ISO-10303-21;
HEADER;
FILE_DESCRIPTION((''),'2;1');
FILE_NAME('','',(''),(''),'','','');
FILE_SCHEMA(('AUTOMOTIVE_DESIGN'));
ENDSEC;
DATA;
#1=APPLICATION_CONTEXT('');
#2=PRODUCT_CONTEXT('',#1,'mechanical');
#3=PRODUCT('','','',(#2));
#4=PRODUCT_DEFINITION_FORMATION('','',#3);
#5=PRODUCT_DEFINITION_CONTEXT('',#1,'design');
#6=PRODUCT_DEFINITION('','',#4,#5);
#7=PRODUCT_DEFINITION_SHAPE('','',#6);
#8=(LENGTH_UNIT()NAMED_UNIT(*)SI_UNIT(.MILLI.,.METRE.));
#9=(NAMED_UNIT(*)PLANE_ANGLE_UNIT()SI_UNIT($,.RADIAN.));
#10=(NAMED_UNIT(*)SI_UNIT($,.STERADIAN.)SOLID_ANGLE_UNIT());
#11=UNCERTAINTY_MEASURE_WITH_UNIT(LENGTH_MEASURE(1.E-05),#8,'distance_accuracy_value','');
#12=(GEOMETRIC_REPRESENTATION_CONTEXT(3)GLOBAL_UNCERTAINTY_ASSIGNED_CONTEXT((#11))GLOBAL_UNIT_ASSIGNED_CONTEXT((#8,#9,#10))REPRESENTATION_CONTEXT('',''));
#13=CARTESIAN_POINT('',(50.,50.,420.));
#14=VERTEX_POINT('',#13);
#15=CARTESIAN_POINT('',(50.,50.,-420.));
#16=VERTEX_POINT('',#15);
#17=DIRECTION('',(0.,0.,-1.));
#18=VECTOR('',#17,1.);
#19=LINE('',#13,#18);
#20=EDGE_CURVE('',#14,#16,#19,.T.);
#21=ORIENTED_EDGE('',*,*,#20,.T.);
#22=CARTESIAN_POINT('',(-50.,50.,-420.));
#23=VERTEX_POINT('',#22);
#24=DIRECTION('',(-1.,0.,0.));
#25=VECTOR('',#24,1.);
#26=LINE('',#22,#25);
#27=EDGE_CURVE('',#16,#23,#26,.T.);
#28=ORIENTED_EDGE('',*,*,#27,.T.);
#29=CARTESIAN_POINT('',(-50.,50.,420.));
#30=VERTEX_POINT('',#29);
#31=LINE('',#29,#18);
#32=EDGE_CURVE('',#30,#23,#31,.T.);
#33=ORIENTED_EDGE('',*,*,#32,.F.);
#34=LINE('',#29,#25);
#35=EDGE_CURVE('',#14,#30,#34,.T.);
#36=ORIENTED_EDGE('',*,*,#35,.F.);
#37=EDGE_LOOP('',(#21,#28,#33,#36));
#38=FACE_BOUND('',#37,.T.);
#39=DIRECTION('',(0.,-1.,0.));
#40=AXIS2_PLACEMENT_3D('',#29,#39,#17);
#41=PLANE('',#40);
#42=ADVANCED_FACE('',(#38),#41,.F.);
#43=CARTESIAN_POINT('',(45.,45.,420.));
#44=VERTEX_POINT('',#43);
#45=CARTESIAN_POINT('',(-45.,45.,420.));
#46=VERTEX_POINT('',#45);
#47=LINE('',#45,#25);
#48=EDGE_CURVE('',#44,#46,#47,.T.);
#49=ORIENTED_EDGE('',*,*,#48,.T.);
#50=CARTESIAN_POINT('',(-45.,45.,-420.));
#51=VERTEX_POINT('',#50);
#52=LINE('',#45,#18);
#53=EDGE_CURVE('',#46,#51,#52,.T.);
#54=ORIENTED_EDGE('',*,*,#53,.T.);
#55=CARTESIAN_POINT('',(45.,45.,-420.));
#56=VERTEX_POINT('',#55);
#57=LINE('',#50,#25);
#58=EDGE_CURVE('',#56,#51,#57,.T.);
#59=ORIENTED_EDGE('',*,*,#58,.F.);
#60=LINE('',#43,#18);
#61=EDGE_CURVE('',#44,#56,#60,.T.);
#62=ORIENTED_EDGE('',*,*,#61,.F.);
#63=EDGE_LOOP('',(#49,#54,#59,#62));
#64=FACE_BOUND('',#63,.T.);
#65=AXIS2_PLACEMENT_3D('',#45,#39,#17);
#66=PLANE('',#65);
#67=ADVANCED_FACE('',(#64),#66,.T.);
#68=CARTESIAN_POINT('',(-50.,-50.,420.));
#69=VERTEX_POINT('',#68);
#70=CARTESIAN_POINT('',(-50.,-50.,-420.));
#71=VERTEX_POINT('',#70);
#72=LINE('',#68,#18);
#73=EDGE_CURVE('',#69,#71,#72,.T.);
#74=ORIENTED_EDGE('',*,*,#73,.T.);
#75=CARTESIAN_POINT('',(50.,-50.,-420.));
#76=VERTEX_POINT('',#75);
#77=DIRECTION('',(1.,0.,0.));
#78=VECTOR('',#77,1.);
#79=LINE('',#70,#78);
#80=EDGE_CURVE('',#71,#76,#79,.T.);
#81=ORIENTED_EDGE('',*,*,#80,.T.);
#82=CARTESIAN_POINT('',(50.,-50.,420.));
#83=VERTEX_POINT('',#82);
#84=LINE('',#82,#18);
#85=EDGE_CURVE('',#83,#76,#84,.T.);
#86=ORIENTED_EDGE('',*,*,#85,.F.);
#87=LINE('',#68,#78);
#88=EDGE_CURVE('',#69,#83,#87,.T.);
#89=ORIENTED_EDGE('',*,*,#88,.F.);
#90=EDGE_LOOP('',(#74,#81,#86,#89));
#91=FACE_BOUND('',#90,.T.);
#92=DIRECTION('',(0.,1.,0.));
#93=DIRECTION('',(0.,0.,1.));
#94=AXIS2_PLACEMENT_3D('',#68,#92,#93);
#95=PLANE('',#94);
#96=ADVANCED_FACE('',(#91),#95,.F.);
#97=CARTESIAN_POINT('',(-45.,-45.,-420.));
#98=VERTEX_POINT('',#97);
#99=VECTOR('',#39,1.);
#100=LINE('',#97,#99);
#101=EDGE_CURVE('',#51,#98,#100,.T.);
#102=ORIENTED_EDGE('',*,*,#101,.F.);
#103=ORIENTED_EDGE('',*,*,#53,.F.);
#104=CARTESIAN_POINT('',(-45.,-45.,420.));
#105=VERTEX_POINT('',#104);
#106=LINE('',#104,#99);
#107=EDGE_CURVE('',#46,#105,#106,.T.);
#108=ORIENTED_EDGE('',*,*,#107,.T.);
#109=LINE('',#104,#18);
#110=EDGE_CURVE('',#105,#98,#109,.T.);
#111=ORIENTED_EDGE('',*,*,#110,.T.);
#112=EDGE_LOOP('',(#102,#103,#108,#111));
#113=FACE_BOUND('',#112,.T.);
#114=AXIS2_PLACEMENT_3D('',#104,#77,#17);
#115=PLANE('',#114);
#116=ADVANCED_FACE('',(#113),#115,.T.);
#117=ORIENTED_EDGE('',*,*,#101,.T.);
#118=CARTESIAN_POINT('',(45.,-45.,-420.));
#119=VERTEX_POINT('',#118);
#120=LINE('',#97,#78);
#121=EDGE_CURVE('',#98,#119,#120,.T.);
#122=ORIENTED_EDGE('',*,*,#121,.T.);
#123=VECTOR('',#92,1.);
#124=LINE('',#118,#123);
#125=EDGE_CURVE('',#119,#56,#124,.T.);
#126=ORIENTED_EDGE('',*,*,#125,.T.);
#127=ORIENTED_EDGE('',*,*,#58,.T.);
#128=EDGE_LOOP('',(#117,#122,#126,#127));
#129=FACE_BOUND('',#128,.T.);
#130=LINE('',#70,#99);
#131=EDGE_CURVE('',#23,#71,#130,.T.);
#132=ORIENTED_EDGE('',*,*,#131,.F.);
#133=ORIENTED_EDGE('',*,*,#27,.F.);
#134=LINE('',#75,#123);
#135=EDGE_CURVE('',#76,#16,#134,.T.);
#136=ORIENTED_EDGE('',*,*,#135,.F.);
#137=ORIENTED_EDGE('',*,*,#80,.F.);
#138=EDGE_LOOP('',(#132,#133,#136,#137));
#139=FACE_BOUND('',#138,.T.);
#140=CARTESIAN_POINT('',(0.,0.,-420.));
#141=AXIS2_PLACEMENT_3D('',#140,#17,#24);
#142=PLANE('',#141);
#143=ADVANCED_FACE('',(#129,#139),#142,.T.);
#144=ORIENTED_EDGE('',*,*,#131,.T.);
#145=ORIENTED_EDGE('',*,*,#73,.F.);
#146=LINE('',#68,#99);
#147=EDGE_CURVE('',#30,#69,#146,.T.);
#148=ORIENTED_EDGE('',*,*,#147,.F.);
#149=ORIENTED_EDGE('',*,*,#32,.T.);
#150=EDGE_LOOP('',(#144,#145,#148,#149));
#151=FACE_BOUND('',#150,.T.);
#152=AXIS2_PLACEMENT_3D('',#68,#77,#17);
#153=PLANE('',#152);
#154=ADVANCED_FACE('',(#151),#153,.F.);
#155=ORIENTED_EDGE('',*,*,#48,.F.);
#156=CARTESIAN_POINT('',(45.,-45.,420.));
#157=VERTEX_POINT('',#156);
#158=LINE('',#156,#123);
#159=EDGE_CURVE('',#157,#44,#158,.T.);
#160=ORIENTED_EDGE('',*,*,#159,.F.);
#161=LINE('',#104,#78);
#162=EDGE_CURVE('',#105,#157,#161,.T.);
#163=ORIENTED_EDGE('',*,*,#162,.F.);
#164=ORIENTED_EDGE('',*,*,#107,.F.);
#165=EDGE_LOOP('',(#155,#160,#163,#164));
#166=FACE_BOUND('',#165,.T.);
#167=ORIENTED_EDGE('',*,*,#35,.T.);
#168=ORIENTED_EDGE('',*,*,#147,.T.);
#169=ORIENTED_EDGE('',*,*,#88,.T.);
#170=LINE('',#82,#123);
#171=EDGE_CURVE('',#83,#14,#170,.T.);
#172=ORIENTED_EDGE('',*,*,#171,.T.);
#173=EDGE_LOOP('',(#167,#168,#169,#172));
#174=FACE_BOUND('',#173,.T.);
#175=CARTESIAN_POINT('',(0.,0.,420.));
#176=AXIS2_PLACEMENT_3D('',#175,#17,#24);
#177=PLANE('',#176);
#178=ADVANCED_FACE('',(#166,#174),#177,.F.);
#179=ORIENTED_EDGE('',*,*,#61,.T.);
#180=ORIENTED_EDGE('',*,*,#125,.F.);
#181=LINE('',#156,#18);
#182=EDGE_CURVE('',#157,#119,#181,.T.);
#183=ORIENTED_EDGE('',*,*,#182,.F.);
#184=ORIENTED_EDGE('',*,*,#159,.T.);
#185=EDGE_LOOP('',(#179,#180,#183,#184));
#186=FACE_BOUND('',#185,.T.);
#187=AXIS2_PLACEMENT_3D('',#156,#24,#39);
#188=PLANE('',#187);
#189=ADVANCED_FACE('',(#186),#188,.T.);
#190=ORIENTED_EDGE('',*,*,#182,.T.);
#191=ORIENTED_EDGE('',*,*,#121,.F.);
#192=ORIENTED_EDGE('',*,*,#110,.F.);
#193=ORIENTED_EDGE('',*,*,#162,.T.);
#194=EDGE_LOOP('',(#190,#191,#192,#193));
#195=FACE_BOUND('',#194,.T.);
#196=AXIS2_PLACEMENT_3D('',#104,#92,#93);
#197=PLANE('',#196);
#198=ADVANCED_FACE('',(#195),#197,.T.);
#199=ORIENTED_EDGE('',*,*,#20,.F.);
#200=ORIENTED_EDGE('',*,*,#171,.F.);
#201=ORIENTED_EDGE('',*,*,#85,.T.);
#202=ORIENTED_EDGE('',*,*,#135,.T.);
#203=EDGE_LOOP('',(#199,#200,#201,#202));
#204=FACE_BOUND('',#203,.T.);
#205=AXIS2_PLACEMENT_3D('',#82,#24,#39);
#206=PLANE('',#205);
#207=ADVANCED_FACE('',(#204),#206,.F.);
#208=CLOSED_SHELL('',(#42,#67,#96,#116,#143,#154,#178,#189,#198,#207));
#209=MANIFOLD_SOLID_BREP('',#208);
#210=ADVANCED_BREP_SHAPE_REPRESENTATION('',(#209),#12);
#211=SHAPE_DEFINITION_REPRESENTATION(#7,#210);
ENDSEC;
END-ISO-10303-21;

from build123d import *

# Parameters (mm, degrees)
SKETCH1_W           = 100
SKETCH1_H           = 100
SKETCH1_W_2         = 90
SKETCH1_H_2         = 90
BOSS_EXTRUDE1_DEPTH = 420


with BuildPart() as part:
    # Sketch1 → Boss-Extrude1 (new body, symmetric)
    with BuildSketch(Plane.XY):
        Rectangle(SKETCH1_W, SKETCH1_H)
        Rectangle(SKETCH1_W_2, SKETCH1_H_2, mode=Mode.SUBTRACT)
    extrude(amount=BOSS_EXTRUDE1_DEPTH, both=True)


solid = part.part
